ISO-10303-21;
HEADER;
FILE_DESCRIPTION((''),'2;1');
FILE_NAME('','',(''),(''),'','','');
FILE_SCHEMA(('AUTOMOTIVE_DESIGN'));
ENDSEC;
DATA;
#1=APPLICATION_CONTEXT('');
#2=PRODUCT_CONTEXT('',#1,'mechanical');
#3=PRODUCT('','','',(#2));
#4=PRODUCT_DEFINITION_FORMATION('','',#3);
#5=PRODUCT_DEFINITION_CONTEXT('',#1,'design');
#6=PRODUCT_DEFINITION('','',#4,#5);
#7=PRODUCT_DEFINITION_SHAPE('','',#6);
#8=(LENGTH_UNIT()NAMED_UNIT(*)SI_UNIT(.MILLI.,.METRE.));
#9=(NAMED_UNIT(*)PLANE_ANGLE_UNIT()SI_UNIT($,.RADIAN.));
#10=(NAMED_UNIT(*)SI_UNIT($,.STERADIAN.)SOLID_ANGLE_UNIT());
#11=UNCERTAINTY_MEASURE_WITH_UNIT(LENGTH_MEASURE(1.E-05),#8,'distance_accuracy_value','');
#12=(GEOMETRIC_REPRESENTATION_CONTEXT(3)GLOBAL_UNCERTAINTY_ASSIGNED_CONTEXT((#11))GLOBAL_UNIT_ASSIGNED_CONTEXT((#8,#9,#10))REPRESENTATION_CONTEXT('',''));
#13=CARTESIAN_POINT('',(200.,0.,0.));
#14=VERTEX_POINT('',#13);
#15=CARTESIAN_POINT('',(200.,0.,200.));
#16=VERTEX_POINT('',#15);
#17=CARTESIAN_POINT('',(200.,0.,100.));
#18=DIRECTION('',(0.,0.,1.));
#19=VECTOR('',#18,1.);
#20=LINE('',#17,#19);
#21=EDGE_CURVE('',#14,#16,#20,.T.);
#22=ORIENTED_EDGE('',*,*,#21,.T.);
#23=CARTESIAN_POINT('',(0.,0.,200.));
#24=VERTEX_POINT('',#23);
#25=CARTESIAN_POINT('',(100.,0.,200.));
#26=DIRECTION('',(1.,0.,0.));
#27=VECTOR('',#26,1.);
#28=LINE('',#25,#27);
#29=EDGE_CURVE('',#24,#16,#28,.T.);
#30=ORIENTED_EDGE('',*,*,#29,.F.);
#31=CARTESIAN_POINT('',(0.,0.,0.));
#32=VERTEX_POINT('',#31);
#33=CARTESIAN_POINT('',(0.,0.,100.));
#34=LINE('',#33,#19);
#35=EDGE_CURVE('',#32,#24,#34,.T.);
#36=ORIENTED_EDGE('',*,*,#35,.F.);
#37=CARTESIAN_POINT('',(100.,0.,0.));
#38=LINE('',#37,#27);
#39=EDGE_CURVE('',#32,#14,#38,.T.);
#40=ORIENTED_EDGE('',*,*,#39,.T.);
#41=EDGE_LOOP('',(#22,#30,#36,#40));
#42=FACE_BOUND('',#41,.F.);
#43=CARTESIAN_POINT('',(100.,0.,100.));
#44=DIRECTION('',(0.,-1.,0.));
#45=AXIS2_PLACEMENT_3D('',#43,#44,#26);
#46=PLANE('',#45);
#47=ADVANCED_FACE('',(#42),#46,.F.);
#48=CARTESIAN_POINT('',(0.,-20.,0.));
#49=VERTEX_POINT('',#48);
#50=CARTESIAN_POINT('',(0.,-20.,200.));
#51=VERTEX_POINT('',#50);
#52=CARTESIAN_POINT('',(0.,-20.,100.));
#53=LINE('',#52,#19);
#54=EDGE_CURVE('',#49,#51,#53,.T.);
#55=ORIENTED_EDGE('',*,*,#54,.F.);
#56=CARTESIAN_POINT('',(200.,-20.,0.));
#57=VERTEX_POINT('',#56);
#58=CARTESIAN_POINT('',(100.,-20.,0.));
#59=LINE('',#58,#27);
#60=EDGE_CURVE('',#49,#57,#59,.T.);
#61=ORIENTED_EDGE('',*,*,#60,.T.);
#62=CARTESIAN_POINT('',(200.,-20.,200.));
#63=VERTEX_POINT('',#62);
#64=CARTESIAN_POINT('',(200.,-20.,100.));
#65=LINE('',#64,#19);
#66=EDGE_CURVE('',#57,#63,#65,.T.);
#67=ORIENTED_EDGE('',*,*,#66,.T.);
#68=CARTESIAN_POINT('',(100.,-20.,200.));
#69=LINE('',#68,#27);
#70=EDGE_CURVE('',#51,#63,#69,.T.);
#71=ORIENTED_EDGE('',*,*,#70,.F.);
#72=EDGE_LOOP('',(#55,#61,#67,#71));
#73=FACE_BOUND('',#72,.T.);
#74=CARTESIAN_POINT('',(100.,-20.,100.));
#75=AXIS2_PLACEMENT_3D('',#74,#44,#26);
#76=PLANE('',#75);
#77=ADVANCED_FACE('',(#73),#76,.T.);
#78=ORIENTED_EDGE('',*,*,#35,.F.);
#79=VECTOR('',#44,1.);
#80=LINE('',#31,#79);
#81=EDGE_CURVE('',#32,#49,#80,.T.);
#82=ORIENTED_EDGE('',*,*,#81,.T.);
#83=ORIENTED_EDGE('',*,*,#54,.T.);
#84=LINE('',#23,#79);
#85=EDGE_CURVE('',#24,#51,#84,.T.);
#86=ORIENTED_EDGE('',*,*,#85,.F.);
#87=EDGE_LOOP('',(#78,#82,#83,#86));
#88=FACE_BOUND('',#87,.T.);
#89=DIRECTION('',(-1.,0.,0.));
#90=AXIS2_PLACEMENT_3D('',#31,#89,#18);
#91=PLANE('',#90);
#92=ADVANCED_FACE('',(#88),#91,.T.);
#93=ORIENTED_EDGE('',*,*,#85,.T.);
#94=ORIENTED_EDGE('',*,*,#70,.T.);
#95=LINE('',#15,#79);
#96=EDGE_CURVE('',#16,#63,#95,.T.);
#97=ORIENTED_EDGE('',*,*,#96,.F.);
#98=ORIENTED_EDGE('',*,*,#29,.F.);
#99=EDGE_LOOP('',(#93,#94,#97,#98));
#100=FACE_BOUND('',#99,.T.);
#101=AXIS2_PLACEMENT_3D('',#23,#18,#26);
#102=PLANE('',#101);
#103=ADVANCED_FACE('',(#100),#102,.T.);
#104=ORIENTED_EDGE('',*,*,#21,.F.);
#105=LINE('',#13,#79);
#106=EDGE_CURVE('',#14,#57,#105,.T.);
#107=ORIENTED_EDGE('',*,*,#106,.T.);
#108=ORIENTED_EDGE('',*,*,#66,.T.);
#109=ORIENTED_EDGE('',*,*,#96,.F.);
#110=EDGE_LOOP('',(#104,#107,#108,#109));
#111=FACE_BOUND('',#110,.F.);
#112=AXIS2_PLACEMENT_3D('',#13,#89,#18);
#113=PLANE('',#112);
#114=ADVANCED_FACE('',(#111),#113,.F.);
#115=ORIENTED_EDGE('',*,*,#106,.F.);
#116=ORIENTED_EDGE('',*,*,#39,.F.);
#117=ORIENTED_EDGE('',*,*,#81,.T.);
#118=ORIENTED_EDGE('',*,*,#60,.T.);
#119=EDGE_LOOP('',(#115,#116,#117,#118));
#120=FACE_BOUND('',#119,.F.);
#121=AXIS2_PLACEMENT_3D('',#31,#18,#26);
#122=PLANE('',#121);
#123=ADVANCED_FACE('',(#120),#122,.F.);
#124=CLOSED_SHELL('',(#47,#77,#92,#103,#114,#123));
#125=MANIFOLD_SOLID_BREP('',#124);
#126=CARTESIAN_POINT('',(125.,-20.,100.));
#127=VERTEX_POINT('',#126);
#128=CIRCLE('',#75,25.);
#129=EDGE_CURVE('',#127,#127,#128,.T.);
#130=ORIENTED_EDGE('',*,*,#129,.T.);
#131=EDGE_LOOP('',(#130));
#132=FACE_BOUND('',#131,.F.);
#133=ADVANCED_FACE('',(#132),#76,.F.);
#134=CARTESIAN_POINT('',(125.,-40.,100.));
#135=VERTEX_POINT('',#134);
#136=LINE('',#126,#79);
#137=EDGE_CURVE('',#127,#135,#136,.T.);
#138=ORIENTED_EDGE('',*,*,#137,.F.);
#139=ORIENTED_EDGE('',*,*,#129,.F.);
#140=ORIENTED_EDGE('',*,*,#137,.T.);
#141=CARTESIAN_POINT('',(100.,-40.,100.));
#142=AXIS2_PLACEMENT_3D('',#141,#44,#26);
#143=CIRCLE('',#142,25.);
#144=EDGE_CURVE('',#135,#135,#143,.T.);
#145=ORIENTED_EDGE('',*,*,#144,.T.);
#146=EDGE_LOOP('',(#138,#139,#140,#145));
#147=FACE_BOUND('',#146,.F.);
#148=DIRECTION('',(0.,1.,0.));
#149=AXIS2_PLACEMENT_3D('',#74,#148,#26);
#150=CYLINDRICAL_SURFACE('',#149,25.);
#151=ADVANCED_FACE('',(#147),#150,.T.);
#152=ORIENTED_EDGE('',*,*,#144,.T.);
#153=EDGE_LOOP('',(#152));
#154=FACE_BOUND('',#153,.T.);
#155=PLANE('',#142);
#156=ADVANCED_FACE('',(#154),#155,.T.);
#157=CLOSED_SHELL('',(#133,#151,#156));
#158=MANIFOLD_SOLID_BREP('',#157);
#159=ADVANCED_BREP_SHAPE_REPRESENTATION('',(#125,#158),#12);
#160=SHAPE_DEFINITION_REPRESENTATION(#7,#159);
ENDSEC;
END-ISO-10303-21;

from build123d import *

# Parameters (mm, degrees)
F0_W     = 200
F0_H     = 200
F1_DEPTH = 20
F2_R     = 25
F3_DEPTH = 20


with BuildPart() as f1:
    # F0 (on Front) → F1 (new body)
    with BuildSketch(Plane.XZ):
        with Locations((100, 100)):
            Rectangle(F0_W, F0_H)
    extrude(amount=F1_DEPTH)


with BuildPart() as f3:
    # F2 (on face) → F3 (new body)
    with BuildSketch(Plane.XZ.offset(20)):
        with Locations((100, 100)):
            Circle(F2_R)
    extrude(amount=F3_DEPTH)


solid = Compound([f1.part, f3.part])
